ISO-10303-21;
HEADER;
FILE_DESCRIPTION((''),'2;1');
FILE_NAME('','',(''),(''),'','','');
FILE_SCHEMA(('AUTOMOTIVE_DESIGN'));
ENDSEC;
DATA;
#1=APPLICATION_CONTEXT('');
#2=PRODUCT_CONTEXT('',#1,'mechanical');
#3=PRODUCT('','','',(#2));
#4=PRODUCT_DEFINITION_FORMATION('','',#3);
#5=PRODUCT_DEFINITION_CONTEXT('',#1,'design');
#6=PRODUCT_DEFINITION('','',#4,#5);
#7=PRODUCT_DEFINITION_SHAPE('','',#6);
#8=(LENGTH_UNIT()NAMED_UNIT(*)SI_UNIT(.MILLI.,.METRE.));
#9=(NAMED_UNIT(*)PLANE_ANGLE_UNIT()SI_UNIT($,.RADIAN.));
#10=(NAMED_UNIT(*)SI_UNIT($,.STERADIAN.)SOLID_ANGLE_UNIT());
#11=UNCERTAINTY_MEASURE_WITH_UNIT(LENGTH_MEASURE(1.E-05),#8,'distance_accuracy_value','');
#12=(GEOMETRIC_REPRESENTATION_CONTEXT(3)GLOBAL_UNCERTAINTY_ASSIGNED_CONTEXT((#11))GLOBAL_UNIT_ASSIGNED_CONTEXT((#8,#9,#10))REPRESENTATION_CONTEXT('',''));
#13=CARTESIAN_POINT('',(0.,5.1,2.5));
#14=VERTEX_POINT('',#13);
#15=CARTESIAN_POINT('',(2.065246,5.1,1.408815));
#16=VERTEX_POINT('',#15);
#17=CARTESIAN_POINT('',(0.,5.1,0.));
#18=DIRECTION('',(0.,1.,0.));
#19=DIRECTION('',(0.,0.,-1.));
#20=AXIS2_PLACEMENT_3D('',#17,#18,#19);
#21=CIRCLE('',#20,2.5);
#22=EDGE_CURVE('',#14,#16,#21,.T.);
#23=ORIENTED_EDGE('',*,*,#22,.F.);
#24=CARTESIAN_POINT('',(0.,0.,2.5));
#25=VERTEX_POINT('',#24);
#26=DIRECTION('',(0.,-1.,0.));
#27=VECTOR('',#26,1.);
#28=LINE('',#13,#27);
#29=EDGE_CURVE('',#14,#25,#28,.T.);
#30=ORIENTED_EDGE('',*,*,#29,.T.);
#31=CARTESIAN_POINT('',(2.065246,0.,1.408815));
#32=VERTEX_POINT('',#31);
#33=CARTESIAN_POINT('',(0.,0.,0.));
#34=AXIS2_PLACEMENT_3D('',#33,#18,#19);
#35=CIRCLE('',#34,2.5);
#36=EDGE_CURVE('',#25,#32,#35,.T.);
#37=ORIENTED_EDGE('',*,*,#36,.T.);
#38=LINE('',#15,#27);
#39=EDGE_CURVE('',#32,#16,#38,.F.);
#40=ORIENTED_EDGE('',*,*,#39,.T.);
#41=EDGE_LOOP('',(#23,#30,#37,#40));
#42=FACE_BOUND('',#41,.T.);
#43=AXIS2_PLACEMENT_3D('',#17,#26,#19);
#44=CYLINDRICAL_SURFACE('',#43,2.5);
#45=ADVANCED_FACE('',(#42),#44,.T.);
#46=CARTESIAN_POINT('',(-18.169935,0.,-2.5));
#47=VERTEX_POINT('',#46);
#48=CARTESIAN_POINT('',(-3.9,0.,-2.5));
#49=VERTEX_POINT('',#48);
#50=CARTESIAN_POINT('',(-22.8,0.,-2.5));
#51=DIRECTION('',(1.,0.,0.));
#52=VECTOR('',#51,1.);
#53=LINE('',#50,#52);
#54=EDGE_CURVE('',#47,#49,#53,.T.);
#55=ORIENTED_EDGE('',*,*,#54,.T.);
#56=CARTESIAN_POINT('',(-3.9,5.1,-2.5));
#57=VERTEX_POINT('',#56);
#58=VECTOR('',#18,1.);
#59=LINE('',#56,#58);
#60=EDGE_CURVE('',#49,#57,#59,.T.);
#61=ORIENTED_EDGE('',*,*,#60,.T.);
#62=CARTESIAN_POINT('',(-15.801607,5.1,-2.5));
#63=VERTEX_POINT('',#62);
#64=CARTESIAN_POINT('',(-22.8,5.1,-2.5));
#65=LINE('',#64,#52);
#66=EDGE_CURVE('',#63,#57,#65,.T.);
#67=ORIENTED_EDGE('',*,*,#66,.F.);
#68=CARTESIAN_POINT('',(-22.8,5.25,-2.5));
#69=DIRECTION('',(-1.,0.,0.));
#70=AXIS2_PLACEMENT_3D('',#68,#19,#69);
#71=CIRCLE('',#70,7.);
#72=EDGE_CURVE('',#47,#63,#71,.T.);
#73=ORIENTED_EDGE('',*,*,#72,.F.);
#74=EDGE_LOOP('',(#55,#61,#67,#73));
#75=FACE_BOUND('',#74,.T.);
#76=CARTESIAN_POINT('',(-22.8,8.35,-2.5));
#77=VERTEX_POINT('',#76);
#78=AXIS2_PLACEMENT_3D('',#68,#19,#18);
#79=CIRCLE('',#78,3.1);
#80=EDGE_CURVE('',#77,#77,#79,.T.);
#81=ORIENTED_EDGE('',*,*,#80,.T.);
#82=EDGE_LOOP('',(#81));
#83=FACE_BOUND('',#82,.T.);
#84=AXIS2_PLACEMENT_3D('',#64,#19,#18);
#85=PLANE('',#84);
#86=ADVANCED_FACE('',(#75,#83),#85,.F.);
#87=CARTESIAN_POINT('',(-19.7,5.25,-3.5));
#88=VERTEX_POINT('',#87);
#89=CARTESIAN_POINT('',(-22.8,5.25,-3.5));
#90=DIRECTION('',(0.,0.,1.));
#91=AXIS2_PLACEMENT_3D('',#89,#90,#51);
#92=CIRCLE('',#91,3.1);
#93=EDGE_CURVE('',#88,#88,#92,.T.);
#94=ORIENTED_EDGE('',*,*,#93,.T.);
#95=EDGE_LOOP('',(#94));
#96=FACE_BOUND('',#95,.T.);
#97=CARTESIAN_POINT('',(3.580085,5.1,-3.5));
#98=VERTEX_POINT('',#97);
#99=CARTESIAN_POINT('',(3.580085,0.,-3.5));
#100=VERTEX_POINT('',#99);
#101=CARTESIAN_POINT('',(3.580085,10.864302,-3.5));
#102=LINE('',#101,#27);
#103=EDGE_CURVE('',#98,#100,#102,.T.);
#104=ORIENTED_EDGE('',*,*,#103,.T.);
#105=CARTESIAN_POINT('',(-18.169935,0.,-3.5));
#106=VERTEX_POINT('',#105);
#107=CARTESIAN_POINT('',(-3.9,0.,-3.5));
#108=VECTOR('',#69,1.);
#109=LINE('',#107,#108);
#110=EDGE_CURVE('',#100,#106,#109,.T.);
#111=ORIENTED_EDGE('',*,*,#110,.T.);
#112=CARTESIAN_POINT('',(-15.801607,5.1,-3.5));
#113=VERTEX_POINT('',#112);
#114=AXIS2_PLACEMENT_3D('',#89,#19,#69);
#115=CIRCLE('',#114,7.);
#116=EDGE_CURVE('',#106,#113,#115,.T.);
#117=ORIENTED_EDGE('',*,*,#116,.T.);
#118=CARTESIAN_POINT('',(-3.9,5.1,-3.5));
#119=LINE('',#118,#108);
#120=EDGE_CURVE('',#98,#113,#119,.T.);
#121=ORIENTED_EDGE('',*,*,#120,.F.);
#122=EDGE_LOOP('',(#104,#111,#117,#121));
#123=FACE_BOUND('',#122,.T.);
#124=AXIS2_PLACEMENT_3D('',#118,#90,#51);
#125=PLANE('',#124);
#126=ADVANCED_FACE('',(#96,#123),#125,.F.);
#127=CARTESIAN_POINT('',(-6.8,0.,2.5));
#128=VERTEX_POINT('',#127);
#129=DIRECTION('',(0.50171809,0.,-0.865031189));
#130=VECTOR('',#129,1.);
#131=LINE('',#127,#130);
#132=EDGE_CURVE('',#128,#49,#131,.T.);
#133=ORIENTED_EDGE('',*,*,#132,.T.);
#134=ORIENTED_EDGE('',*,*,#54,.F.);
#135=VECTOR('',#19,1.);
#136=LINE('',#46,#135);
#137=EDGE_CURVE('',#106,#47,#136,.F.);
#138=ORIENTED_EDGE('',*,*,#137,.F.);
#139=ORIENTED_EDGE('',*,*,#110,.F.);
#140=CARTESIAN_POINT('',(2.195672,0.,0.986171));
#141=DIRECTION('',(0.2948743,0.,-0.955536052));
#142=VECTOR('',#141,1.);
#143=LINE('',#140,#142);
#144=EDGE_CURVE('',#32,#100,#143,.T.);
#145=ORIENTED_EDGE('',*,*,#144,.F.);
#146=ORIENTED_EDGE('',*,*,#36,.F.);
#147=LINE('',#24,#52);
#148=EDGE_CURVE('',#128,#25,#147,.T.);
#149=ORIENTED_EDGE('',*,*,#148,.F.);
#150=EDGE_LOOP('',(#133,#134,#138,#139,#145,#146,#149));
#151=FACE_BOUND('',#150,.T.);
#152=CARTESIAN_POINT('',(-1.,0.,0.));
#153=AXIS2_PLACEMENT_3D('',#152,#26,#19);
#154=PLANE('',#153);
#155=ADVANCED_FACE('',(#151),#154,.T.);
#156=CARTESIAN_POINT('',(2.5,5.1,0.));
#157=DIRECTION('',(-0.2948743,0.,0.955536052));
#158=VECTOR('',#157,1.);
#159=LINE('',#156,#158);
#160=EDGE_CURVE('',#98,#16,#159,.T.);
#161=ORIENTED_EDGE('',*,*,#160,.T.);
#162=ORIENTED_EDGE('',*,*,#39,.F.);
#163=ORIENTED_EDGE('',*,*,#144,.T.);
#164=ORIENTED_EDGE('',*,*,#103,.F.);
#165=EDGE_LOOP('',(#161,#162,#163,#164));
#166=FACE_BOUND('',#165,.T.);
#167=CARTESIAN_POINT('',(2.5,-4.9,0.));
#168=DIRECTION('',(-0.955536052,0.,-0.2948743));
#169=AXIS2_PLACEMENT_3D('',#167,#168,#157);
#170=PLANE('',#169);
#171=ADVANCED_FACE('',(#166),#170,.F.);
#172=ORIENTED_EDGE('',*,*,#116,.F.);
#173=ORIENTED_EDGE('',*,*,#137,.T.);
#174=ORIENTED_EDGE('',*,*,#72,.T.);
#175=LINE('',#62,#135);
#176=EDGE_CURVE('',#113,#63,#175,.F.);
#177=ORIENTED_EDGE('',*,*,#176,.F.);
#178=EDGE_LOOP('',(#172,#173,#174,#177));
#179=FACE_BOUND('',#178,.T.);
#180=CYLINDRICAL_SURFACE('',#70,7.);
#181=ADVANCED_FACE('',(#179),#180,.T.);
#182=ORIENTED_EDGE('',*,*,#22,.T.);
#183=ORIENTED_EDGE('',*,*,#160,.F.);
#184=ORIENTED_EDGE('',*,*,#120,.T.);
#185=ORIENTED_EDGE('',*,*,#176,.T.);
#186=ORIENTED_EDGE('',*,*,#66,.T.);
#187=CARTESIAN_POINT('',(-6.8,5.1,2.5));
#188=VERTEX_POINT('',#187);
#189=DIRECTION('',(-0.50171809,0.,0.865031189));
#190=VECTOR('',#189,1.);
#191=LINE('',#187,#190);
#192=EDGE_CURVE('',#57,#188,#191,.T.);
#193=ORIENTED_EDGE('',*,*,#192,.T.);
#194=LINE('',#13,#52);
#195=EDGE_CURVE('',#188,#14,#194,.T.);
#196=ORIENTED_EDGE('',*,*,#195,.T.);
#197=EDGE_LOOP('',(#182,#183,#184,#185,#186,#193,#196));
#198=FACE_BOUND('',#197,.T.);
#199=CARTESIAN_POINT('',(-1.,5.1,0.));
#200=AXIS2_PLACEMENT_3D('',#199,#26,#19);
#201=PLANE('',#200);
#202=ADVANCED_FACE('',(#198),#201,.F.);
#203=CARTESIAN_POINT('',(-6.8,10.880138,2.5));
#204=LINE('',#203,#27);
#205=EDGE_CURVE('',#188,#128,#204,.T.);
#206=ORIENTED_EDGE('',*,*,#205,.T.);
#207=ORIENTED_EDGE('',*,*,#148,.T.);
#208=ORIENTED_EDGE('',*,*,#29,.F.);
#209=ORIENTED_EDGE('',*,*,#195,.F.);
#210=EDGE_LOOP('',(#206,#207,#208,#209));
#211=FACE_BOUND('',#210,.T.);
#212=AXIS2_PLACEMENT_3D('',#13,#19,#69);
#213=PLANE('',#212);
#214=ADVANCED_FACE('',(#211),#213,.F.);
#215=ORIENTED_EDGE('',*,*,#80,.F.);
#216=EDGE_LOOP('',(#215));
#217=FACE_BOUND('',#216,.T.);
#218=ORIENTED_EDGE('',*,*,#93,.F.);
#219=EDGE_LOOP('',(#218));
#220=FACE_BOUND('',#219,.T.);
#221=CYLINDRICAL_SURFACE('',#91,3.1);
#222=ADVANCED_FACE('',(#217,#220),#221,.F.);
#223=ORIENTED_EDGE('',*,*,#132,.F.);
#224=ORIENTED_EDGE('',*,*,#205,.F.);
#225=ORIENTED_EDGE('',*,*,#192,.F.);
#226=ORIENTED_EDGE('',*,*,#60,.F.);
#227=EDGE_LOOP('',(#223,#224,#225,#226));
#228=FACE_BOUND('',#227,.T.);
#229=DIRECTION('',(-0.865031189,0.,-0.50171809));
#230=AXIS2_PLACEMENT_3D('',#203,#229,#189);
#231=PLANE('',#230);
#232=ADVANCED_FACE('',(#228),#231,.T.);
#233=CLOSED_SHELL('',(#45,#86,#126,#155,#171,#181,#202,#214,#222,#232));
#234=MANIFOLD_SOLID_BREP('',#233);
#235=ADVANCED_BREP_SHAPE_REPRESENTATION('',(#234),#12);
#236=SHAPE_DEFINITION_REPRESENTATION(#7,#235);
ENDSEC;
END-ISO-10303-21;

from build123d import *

# Parameters (mm, degrees)
BOSS_EXTRUDE1_DEPTH     = 5.1
SKETCH4_W               = 1
SKETCH4_H               = 5.1
BOSS_EXTRUDE2_DEPTH     = 18.9
SKETCH5_R               = 7
BOSS_EXTRUDE3_DEPTH     = 1
CUT_EXTRUDE1_DEPTH      = 33.605252644
CUT_EXTRUDE1_DEPTH_BACK = 33.605252644
SKETCH6_R               = 3.1
BOSS_EXTRUDE4_DEPTH     = 5.1
CUT_EXTRUDE2_DEPTH      = 10
BOSS_EXTRUDE5_DEPTH     = 5.1


with BuildPart() as part:
    # Sketch3 → Boss-Extrude1 (new body)
    with BuildSketch(Plane(origin=(0, 0, 0), x_dir=(1, 0, 0), z_dir=(0, 1, 0))):
        with BuildLine():
            Line((0, -2.5), (-3.9, -2.5))
            Line((-3.9, -2.5), (-3.9, 3.5))
            Line((-3.9, 3.5), (-1, 3.5))
            ThreePointArc((-1, 3.5), (1.474873734, 2.474873734), (2.5, 0))
            ThreePointArc((2.5, 0), (1.767766953, -1.767766953), (0, -2.5))
        make_face()
    extrude(amount=BOSS_EXTRUDE1_DEPTH)

    # Sketch4 → Boss-Extrude2 (add)
    with BuildSketch(Plane.ZY.offset(3.9)):
        with Locations((-3, 2.55)):
            Rectangle(SKETCH4_W, SKETCH4_H)
    extrude(amount=BOSS_EXTRUDE2_DEPTH)

    # Sketch5 → Boss-Extrude3 (add)
    with BuildSketch(Plane(origin=(0, 0, -3.5), x_dir=(-1, 0, 0), z_dir=(0, 0, -1))):
        with Locations((22.8, 5.25)):
            Circle(SKETCH5_R)
    extrude(amount=-BOSS_EXTRUDE3_DEPTH)

    # Sketch6 → Cut-Extrude1 (cut, two sides: drawn at the far end of the back side and taken through both)
    with BuildSketch(Plane.XY.offset(-2.5).offset(-CUT_EXTRUDE1_DEPTH_BACK)):
        with Locations((-22.8, 5.25)):
            Circle(SKETCH6_R)
    extrude(amount=CUT_EXTRUDE1_DEPTH + CUT_EXTRUDE1_DEPTH_BACK, mode=Mode.SUBTRACT)

    # Sketch7 → Boss-Extrude4 (add)
    with BuildSketch(Plane.XZ):
        Polygon((-3.9, -2.5), (-3.9, 2.5), (-6.8, 2.5), align=None)
    extrude(amount=-BOSS_EXTRUDE4_DEPTH)

    # Sketch8 → Cut-Extrude2 (cut)
    with BuildSketch(Plane(origin=(0, 5.1, 0), x_dir=(1, 0, 0), z_dir=(0, 1, 0))):
        Polygon((2.5, 0), (0.957021589, -5), (5.957021589, -5), (5.957021589, 0), align=None)
    extrude(amount=-CUT_EXTRUDE2_DEPTH, mode=Mode.SUBTRACT)

    # Sketch9 → Boss-Extrude5 (add)
    with BuildSketch(Plane(origin=(0, 0, 0), x_dir=(1, 0, 0), z_dir=(0, 1, 0))):
        Polygon((2.5, 0), (3.580084888, 3.5), (-1, 3.5), align=None)
    extrude(amount=BOSS_EXTRUDE5_DEPTH)


solid = part.part
